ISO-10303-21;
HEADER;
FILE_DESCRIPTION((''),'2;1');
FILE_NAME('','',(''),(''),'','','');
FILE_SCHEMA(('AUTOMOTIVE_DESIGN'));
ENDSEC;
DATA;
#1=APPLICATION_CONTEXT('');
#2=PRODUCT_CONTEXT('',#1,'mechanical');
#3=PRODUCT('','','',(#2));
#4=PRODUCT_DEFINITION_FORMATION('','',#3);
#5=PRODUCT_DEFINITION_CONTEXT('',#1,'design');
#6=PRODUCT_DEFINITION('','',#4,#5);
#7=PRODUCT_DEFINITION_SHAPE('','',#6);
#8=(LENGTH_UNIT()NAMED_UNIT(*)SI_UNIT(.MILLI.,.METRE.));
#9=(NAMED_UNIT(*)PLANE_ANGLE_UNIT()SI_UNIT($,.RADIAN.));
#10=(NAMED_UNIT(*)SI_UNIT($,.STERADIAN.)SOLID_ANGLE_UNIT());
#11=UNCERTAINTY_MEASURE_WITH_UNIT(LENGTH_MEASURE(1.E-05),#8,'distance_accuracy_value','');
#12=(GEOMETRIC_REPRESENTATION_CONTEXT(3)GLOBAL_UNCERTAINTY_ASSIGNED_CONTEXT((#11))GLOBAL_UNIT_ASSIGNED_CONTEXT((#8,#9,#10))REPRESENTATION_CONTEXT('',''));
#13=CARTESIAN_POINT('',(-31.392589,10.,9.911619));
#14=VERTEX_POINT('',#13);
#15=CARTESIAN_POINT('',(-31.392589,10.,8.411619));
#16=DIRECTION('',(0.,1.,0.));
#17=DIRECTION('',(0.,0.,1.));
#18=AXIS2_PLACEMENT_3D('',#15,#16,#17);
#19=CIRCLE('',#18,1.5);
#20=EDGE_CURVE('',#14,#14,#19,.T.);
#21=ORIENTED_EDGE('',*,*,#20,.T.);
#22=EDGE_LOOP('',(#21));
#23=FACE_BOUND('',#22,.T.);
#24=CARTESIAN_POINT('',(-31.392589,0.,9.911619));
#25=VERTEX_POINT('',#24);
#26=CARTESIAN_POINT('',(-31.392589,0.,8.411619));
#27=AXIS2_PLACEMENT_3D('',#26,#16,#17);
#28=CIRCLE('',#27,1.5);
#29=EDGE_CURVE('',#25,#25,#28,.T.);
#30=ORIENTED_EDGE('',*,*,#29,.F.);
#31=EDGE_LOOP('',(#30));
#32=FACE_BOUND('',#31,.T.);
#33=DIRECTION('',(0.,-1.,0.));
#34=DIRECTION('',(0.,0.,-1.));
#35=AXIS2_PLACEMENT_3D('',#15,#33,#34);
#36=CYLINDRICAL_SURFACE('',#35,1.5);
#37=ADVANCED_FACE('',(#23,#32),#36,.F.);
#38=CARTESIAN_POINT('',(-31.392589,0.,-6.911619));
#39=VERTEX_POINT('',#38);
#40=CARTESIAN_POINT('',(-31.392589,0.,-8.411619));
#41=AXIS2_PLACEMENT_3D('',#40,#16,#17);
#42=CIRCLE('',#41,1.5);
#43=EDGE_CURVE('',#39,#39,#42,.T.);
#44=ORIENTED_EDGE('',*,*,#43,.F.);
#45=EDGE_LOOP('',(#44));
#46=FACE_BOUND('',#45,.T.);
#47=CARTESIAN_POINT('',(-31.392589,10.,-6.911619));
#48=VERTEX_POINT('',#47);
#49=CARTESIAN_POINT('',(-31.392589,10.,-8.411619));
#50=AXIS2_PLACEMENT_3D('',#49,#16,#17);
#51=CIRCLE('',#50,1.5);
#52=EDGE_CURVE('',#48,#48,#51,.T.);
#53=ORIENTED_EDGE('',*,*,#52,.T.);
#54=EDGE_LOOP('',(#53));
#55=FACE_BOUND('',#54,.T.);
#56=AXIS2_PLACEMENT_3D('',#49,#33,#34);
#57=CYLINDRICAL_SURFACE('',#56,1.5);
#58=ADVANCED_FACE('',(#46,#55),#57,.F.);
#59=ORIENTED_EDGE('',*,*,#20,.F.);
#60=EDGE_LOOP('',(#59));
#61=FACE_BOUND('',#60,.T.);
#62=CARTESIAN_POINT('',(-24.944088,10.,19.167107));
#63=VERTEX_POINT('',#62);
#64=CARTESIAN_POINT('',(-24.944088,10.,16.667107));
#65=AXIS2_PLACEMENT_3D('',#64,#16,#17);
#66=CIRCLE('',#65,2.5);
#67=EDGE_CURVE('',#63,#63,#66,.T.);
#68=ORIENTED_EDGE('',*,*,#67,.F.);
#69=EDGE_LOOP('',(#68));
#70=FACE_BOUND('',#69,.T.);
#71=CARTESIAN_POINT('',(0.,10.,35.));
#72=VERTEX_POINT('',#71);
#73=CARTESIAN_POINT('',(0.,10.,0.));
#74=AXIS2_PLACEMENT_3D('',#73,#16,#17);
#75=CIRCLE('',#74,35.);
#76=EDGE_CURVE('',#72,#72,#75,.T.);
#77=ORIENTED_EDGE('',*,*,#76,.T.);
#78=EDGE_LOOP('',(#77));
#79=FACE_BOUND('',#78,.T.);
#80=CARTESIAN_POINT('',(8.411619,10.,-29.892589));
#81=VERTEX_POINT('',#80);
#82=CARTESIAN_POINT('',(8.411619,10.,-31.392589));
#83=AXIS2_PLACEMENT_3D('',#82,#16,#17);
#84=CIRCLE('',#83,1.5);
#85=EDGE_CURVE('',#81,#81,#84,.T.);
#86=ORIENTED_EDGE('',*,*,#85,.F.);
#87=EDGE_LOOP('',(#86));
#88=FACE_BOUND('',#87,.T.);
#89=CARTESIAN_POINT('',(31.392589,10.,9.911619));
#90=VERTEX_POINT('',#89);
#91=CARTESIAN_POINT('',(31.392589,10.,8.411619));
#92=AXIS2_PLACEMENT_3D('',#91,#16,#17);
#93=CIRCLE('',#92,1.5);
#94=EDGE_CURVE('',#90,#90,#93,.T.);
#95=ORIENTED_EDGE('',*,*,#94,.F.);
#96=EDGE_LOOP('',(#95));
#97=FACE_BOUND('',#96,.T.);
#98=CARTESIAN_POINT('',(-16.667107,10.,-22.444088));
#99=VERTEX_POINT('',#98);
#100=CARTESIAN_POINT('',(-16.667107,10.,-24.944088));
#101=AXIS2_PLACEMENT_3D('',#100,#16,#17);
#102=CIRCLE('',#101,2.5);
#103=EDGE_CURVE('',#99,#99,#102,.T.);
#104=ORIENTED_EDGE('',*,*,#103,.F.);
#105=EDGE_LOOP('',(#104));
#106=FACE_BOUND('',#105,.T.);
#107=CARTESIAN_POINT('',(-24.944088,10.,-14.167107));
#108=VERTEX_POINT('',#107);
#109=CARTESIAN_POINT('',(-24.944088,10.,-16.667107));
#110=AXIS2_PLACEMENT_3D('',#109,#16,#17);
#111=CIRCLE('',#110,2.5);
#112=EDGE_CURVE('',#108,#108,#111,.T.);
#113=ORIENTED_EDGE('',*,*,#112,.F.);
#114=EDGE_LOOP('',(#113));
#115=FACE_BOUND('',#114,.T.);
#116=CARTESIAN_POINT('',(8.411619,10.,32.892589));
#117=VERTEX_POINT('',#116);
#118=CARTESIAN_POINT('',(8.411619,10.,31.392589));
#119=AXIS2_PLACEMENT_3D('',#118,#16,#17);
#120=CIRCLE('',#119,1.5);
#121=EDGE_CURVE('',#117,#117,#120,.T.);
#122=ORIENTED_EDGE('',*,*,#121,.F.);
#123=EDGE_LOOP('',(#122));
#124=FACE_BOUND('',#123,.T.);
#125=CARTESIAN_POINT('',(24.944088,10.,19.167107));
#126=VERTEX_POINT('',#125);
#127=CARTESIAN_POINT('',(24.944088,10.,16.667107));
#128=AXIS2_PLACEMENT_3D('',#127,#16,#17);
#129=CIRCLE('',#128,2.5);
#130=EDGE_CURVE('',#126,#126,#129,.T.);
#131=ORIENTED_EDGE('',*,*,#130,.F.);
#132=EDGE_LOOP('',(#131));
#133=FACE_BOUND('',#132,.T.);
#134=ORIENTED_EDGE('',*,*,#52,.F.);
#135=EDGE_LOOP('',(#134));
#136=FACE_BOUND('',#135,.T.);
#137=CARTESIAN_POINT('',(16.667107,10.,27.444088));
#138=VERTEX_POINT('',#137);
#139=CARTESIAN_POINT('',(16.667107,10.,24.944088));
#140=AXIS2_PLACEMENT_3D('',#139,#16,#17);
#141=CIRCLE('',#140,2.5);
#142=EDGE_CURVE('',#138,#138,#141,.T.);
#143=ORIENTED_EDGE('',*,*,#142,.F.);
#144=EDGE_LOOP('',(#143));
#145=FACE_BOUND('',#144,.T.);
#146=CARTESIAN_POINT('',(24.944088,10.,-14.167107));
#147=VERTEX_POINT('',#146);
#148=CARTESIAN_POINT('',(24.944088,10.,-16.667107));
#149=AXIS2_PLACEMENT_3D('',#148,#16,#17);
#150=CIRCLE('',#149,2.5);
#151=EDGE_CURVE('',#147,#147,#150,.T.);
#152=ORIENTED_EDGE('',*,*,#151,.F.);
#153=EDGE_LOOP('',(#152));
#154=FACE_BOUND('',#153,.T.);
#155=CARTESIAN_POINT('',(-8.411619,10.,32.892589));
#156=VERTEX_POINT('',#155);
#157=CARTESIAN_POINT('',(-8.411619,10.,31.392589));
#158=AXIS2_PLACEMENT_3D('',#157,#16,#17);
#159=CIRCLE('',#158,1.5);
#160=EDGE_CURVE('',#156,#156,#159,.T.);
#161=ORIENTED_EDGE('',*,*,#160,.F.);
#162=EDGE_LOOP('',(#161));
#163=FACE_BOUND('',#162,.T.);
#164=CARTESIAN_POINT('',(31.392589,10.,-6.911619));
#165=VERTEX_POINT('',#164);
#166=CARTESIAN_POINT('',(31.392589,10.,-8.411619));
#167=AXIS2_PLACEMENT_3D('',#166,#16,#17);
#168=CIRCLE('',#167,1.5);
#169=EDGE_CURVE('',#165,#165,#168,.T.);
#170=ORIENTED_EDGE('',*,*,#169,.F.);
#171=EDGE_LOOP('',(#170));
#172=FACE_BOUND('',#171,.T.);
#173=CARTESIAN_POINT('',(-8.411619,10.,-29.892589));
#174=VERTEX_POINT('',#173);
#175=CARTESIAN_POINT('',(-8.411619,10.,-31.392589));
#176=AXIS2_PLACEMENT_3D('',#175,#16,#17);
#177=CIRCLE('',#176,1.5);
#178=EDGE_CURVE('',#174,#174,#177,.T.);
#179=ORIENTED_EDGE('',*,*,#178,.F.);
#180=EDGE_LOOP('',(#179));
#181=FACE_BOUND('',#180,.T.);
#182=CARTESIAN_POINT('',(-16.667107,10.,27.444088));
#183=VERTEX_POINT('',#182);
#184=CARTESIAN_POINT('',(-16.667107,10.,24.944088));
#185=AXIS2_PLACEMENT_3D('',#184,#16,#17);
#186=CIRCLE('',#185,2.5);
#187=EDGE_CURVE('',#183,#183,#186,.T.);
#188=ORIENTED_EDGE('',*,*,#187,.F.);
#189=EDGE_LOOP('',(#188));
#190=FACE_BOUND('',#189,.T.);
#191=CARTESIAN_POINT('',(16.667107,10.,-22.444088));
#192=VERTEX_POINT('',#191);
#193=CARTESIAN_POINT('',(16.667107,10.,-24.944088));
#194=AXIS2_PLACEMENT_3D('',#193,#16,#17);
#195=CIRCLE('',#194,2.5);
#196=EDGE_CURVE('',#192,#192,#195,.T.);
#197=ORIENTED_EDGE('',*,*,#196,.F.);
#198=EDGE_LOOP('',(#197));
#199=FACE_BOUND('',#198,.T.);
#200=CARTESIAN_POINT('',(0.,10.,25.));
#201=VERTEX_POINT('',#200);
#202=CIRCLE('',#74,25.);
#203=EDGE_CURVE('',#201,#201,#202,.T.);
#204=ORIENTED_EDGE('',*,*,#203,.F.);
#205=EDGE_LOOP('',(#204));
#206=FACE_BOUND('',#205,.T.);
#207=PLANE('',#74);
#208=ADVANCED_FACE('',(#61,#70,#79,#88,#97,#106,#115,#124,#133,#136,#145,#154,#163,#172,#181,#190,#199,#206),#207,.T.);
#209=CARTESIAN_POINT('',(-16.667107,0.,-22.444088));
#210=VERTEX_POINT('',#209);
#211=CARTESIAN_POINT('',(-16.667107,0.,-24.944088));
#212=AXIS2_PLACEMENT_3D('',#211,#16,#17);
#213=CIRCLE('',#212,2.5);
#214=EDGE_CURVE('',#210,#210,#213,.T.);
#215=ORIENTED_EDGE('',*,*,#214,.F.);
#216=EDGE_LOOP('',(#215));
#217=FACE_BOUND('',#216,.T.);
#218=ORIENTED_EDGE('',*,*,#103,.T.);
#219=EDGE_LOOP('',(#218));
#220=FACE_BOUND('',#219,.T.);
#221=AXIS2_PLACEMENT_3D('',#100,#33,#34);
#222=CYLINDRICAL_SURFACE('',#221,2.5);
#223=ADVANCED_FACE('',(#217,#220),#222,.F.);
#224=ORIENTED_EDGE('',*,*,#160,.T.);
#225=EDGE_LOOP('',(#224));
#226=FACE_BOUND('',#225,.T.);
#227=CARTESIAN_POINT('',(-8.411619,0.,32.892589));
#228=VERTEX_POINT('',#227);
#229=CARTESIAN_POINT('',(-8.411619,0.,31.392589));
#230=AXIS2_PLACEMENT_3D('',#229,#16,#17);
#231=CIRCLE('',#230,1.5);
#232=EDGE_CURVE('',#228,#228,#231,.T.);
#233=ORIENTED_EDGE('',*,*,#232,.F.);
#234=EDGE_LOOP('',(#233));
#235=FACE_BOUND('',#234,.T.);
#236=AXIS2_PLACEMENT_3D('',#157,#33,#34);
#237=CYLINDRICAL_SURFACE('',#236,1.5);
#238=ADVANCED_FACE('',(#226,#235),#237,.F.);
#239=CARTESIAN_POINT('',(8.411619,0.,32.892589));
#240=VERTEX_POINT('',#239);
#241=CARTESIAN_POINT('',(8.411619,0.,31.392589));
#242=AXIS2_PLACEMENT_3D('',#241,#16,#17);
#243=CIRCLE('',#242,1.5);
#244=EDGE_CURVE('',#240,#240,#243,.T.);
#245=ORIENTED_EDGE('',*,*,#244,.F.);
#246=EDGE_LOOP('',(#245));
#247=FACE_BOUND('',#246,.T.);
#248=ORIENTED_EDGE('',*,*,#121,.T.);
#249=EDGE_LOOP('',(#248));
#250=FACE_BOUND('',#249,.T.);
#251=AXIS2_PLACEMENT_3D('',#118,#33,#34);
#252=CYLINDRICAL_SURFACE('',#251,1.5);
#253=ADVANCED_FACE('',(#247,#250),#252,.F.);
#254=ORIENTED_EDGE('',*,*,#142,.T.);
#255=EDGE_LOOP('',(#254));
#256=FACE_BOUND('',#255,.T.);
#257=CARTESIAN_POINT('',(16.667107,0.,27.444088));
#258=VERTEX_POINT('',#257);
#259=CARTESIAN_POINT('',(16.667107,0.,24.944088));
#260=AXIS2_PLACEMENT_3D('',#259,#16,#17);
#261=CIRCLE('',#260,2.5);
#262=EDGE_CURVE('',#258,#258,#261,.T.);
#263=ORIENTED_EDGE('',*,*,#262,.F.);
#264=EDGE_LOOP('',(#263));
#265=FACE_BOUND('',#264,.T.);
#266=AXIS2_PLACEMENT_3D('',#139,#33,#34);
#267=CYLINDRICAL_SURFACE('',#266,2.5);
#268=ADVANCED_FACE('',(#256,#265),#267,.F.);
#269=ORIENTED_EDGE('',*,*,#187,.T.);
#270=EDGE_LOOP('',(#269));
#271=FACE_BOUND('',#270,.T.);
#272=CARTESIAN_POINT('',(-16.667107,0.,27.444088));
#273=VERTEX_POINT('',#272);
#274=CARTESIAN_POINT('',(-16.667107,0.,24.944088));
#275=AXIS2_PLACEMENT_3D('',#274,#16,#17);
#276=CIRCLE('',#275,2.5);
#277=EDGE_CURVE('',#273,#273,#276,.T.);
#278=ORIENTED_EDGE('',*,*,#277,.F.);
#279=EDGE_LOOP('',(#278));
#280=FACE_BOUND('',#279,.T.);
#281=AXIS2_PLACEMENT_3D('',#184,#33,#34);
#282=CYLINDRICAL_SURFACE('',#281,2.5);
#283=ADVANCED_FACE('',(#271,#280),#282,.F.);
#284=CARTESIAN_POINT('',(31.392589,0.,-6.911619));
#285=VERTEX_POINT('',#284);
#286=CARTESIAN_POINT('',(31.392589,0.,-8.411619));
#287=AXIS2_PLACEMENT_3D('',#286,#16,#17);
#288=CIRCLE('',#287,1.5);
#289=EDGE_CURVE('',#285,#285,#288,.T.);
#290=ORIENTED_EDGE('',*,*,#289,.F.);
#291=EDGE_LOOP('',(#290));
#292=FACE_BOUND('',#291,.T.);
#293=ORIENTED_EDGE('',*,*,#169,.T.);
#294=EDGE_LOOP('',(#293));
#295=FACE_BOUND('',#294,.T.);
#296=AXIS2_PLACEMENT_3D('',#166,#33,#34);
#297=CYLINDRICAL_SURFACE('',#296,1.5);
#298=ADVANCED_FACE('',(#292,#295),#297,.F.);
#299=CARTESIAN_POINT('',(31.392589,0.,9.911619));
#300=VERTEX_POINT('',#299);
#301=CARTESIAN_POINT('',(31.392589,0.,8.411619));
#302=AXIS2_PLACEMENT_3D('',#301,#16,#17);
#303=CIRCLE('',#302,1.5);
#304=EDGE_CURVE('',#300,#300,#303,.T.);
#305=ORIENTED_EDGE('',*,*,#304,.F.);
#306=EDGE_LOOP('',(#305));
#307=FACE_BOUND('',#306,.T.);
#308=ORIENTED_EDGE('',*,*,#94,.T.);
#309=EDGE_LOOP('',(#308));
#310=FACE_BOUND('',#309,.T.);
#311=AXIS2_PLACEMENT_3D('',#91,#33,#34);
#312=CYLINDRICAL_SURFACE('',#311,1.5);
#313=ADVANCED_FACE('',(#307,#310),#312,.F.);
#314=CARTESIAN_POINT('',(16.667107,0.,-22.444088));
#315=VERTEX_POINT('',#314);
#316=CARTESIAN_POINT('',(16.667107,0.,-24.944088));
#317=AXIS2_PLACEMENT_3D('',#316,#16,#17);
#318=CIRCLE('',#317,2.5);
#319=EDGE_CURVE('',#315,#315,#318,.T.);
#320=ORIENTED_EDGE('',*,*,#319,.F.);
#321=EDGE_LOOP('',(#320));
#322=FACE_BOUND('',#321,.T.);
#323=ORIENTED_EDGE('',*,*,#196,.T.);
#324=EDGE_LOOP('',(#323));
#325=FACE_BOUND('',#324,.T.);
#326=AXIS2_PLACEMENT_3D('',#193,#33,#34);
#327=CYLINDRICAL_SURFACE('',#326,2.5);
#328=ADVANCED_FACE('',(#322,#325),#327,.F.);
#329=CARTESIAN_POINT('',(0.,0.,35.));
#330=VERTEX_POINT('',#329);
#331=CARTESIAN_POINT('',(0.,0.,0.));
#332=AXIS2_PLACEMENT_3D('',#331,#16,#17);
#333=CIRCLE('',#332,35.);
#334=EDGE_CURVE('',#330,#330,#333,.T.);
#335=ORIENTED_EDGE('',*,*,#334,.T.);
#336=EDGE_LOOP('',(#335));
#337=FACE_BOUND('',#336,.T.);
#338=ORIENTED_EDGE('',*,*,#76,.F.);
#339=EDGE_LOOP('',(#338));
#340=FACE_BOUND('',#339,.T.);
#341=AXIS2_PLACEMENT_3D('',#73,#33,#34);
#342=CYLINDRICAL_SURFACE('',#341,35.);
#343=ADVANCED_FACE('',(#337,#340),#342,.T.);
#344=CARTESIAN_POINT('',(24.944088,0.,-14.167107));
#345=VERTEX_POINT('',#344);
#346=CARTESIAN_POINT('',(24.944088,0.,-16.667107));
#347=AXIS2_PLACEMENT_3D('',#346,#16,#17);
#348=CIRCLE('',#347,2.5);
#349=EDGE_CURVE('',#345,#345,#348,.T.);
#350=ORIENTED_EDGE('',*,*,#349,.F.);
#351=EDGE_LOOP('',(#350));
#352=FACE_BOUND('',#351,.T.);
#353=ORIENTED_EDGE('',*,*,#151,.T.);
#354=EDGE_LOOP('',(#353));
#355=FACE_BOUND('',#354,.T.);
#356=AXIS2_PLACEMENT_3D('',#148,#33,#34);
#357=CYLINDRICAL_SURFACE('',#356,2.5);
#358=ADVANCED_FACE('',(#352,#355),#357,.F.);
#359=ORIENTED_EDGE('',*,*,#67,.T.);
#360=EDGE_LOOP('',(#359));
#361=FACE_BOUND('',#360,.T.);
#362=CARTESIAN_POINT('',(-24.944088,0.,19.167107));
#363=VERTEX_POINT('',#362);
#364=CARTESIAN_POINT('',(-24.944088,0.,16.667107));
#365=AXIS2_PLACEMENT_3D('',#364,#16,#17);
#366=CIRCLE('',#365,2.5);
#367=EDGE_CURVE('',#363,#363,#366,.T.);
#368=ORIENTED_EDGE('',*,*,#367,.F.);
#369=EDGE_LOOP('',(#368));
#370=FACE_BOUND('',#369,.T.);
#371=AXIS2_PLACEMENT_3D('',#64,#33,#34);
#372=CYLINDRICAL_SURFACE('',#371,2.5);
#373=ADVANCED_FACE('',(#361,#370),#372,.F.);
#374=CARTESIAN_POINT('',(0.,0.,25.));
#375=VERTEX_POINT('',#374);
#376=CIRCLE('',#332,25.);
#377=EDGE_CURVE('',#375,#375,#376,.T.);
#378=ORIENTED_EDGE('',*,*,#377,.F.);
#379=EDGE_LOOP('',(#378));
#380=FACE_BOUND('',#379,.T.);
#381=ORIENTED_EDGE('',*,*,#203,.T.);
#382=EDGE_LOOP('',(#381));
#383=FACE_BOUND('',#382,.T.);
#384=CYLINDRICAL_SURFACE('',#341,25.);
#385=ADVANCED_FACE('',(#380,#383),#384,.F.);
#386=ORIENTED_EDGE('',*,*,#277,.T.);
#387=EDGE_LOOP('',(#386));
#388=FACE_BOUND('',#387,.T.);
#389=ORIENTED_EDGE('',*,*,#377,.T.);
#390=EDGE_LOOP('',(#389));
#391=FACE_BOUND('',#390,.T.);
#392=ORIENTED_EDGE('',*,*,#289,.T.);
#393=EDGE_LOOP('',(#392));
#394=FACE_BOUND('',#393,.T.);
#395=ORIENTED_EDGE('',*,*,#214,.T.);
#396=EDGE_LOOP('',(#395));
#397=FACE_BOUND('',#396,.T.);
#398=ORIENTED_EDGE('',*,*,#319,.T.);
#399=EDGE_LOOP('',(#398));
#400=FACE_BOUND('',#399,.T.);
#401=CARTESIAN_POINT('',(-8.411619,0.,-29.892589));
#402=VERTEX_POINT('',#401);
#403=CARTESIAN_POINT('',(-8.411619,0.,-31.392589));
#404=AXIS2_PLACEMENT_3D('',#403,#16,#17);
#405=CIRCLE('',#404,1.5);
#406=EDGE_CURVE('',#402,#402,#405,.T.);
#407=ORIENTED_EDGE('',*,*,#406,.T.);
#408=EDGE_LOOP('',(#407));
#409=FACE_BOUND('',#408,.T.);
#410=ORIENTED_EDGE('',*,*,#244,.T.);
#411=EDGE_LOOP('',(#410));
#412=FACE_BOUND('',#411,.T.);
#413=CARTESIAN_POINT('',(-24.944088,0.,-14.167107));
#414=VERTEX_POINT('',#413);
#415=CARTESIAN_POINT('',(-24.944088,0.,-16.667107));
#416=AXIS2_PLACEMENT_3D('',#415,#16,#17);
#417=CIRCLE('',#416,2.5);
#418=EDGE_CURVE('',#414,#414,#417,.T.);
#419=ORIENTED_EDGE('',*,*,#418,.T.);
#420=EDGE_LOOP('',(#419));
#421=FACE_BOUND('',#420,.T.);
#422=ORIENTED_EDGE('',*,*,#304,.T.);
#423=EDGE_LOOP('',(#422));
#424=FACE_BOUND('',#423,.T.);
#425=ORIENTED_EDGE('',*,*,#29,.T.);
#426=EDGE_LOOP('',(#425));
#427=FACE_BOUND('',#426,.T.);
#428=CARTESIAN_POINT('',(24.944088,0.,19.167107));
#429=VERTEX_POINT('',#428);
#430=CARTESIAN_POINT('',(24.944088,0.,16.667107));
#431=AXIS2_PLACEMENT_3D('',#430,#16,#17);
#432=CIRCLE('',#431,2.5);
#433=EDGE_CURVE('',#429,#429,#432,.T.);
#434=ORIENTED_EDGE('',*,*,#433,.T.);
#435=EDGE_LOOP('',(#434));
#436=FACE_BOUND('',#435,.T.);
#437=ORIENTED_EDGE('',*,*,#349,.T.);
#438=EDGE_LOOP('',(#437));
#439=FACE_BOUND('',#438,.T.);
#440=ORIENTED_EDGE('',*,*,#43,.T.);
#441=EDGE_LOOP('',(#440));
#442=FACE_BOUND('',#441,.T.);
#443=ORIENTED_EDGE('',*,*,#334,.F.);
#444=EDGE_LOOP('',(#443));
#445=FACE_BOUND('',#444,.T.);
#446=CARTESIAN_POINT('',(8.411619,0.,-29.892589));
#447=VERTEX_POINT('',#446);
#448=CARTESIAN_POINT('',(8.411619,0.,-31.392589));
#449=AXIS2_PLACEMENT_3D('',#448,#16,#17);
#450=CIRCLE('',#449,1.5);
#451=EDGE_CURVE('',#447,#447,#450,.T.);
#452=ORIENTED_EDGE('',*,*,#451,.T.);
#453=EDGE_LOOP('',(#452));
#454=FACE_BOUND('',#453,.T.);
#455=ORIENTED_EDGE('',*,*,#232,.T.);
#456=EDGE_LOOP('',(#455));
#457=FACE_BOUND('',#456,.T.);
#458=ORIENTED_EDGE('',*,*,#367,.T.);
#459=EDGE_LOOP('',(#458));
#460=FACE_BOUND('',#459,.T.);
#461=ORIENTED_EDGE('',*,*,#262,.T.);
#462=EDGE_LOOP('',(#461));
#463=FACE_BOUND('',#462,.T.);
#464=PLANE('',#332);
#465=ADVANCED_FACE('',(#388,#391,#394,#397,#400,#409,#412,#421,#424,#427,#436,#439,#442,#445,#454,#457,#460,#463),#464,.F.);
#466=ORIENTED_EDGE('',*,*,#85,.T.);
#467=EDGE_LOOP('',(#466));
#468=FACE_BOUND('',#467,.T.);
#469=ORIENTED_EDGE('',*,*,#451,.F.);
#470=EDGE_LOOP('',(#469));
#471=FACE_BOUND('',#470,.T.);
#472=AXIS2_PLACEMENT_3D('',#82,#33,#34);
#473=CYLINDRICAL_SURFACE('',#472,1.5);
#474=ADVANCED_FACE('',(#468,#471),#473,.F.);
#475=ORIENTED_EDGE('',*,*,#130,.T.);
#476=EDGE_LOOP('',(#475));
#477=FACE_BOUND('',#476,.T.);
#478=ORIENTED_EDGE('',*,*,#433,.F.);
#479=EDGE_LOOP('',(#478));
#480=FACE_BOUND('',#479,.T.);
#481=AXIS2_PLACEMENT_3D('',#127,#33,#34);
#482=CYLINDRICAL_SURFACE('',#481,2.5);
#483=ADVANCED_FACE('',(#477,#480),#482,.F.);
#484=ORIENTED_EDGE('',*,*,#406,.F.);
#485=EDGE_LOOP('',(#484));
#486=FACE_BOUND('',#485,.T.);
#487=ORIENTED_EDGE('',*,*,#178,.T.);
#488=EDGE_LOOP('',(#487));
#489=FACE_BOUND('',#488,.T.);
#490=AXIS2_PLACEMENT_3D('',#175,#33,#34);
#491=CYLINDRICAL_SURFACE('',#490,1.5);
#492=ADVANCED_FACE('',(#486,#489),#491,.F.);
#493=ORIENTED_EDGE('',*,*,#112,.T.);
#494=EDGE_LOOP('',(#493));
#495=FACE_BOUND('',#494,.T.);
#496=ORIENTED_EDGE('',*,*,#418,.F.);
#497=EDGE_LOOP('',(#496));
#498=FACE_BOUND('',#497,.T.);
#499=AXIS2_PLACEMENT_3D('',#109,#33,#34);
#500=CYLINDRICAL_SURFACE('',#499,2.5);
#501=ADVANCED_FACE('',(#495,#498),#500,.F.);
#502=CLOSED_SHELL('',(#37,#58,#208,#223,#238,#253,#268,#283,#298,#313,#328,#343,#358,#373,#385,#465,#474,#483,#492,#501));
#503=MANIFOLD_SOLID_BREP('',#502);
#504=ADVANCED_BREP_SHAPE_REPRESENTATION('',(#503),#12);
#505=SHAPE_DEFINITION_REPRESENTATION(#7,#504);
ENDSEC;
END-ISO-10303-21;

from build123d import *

# Parameters (mm, degrees)
SKETCH1_R           = 35
SKETCH1_R_2         = 25
SKETCH1_R_3         = 1.5
SKETCH1_R_4         = 2.5
BOSS_EXTRUDE1_DEPTH = 10


with BuildPart() as part:
    # Sketch1 → Boss-Extrude1 (new body)
    with BuildSketch(Plane(origin=(0, 0, 0), x_dir=(1, 0, 0), z_dir=(0, 1, 0))):
        with Locations(Location((0, 0, 0), (0, 0, 270))):
            Circle(SKETCH1_R)
        with Locations(Location((0, 0, 0), (0, 0, 270))):
            Circle(SKETCH1_R_2, mode=Mode.SUBTRACT)
        with Locations(Location((-8.411618966, 31.392589354, 0), (0, 0, 270))):
            Circle(SKETCH1_R_3, mode=Mode.SUBTRACT)
        with Locations(Location((8.411618966, 31.392589354, 0), (0, 0, 270))):
            Circle(SKETCH1_R_3, mode=Mode.SUBTRACT)
        with Locations(Location((31.392589354, 8.411618966, 0), (0, 0, 270))):
            Circle(SKETCH1_R_3, mode=Mode.SUBTRACT)
        with Locations(Location((31.392589354, -8.411618966, 0), (0, 0, 270))):
            Circle(SKETCH1_R_3, mode=Mode.SUBTRACT)
        with Locations(Location((8.411618966, -31.392589354, 0), (0, 0, 270))):
            Circle(SKETCH1_R_3, mode=Mode.SUBTRACT)
        with Locations(Location((-8.411618966, -31.392589354, 0), (0, 0, 270))):
            Circle(SKETCH1_R_3, mode=Mode.SUBTRACT)
        with Locations(Location((-31.392589354, -8.411618966, 0), (0, 0, 270))):
            Circle(SKETCH1_R_3, mode=Mode.SUBTRACT)
        with Locations(Location((-31.392589354, 8.411618966, 0), (0, 0, 270))):
            Circle(SKETCH1_R_3, mode=Mode.SUBTRACT)
        with Locations(Location((-24.944088369, 16.667106991, 0), (0, 0, 270))):
            Circle(SKETCH1_R_4, mode=Mode.SUBTRACT)
        with Locations(Location((-16.667106991, 24.944088369, 0), (0, 0, 270))):
            Circle(SKETCH1_R_4, mode=Mode.SUBTRACT)
        with Locations(Location((16.667106991, 24.944088369, 0), (0, 0, 270))):
            Circle(SKETCH1_R_4, mode=Mode.SUBTRACT)
        with Locations(Location((24.944088369, 16.667106991, 0), (0, 0, 270))):
            Circle(SKETCH1_R_4, mode=Mode.SUBTRACT)
        with Locations(Location((24.944088369, -16.667106991, 0), (0, 0, 270))):
            Circle(SKETCH1_R_4, mode=Mode.SUBTRACT)
        with Locations(Location((16.667106991, -24.944088369, 0), (0, 0, 270))):
            Circle(SKETCH1_R_4, mode=Mode.SUBTRACT)
        with Locations(Location((-16.667106991, -24.944088369, 0), (0, 0, 270))):
            Circle(SKETCH1_R_4, mode=Mode.SUBTRACT)
        with Locations(Location((-24.944088369, -16.667106991, 0), (0, 0, 270))):
            Circle(SKETCH1_R_4, mode=Mode.SUBTRACT)
    extrude(amount=BOSS_EXTRUDE1_DEPTH)


solid = part.part
